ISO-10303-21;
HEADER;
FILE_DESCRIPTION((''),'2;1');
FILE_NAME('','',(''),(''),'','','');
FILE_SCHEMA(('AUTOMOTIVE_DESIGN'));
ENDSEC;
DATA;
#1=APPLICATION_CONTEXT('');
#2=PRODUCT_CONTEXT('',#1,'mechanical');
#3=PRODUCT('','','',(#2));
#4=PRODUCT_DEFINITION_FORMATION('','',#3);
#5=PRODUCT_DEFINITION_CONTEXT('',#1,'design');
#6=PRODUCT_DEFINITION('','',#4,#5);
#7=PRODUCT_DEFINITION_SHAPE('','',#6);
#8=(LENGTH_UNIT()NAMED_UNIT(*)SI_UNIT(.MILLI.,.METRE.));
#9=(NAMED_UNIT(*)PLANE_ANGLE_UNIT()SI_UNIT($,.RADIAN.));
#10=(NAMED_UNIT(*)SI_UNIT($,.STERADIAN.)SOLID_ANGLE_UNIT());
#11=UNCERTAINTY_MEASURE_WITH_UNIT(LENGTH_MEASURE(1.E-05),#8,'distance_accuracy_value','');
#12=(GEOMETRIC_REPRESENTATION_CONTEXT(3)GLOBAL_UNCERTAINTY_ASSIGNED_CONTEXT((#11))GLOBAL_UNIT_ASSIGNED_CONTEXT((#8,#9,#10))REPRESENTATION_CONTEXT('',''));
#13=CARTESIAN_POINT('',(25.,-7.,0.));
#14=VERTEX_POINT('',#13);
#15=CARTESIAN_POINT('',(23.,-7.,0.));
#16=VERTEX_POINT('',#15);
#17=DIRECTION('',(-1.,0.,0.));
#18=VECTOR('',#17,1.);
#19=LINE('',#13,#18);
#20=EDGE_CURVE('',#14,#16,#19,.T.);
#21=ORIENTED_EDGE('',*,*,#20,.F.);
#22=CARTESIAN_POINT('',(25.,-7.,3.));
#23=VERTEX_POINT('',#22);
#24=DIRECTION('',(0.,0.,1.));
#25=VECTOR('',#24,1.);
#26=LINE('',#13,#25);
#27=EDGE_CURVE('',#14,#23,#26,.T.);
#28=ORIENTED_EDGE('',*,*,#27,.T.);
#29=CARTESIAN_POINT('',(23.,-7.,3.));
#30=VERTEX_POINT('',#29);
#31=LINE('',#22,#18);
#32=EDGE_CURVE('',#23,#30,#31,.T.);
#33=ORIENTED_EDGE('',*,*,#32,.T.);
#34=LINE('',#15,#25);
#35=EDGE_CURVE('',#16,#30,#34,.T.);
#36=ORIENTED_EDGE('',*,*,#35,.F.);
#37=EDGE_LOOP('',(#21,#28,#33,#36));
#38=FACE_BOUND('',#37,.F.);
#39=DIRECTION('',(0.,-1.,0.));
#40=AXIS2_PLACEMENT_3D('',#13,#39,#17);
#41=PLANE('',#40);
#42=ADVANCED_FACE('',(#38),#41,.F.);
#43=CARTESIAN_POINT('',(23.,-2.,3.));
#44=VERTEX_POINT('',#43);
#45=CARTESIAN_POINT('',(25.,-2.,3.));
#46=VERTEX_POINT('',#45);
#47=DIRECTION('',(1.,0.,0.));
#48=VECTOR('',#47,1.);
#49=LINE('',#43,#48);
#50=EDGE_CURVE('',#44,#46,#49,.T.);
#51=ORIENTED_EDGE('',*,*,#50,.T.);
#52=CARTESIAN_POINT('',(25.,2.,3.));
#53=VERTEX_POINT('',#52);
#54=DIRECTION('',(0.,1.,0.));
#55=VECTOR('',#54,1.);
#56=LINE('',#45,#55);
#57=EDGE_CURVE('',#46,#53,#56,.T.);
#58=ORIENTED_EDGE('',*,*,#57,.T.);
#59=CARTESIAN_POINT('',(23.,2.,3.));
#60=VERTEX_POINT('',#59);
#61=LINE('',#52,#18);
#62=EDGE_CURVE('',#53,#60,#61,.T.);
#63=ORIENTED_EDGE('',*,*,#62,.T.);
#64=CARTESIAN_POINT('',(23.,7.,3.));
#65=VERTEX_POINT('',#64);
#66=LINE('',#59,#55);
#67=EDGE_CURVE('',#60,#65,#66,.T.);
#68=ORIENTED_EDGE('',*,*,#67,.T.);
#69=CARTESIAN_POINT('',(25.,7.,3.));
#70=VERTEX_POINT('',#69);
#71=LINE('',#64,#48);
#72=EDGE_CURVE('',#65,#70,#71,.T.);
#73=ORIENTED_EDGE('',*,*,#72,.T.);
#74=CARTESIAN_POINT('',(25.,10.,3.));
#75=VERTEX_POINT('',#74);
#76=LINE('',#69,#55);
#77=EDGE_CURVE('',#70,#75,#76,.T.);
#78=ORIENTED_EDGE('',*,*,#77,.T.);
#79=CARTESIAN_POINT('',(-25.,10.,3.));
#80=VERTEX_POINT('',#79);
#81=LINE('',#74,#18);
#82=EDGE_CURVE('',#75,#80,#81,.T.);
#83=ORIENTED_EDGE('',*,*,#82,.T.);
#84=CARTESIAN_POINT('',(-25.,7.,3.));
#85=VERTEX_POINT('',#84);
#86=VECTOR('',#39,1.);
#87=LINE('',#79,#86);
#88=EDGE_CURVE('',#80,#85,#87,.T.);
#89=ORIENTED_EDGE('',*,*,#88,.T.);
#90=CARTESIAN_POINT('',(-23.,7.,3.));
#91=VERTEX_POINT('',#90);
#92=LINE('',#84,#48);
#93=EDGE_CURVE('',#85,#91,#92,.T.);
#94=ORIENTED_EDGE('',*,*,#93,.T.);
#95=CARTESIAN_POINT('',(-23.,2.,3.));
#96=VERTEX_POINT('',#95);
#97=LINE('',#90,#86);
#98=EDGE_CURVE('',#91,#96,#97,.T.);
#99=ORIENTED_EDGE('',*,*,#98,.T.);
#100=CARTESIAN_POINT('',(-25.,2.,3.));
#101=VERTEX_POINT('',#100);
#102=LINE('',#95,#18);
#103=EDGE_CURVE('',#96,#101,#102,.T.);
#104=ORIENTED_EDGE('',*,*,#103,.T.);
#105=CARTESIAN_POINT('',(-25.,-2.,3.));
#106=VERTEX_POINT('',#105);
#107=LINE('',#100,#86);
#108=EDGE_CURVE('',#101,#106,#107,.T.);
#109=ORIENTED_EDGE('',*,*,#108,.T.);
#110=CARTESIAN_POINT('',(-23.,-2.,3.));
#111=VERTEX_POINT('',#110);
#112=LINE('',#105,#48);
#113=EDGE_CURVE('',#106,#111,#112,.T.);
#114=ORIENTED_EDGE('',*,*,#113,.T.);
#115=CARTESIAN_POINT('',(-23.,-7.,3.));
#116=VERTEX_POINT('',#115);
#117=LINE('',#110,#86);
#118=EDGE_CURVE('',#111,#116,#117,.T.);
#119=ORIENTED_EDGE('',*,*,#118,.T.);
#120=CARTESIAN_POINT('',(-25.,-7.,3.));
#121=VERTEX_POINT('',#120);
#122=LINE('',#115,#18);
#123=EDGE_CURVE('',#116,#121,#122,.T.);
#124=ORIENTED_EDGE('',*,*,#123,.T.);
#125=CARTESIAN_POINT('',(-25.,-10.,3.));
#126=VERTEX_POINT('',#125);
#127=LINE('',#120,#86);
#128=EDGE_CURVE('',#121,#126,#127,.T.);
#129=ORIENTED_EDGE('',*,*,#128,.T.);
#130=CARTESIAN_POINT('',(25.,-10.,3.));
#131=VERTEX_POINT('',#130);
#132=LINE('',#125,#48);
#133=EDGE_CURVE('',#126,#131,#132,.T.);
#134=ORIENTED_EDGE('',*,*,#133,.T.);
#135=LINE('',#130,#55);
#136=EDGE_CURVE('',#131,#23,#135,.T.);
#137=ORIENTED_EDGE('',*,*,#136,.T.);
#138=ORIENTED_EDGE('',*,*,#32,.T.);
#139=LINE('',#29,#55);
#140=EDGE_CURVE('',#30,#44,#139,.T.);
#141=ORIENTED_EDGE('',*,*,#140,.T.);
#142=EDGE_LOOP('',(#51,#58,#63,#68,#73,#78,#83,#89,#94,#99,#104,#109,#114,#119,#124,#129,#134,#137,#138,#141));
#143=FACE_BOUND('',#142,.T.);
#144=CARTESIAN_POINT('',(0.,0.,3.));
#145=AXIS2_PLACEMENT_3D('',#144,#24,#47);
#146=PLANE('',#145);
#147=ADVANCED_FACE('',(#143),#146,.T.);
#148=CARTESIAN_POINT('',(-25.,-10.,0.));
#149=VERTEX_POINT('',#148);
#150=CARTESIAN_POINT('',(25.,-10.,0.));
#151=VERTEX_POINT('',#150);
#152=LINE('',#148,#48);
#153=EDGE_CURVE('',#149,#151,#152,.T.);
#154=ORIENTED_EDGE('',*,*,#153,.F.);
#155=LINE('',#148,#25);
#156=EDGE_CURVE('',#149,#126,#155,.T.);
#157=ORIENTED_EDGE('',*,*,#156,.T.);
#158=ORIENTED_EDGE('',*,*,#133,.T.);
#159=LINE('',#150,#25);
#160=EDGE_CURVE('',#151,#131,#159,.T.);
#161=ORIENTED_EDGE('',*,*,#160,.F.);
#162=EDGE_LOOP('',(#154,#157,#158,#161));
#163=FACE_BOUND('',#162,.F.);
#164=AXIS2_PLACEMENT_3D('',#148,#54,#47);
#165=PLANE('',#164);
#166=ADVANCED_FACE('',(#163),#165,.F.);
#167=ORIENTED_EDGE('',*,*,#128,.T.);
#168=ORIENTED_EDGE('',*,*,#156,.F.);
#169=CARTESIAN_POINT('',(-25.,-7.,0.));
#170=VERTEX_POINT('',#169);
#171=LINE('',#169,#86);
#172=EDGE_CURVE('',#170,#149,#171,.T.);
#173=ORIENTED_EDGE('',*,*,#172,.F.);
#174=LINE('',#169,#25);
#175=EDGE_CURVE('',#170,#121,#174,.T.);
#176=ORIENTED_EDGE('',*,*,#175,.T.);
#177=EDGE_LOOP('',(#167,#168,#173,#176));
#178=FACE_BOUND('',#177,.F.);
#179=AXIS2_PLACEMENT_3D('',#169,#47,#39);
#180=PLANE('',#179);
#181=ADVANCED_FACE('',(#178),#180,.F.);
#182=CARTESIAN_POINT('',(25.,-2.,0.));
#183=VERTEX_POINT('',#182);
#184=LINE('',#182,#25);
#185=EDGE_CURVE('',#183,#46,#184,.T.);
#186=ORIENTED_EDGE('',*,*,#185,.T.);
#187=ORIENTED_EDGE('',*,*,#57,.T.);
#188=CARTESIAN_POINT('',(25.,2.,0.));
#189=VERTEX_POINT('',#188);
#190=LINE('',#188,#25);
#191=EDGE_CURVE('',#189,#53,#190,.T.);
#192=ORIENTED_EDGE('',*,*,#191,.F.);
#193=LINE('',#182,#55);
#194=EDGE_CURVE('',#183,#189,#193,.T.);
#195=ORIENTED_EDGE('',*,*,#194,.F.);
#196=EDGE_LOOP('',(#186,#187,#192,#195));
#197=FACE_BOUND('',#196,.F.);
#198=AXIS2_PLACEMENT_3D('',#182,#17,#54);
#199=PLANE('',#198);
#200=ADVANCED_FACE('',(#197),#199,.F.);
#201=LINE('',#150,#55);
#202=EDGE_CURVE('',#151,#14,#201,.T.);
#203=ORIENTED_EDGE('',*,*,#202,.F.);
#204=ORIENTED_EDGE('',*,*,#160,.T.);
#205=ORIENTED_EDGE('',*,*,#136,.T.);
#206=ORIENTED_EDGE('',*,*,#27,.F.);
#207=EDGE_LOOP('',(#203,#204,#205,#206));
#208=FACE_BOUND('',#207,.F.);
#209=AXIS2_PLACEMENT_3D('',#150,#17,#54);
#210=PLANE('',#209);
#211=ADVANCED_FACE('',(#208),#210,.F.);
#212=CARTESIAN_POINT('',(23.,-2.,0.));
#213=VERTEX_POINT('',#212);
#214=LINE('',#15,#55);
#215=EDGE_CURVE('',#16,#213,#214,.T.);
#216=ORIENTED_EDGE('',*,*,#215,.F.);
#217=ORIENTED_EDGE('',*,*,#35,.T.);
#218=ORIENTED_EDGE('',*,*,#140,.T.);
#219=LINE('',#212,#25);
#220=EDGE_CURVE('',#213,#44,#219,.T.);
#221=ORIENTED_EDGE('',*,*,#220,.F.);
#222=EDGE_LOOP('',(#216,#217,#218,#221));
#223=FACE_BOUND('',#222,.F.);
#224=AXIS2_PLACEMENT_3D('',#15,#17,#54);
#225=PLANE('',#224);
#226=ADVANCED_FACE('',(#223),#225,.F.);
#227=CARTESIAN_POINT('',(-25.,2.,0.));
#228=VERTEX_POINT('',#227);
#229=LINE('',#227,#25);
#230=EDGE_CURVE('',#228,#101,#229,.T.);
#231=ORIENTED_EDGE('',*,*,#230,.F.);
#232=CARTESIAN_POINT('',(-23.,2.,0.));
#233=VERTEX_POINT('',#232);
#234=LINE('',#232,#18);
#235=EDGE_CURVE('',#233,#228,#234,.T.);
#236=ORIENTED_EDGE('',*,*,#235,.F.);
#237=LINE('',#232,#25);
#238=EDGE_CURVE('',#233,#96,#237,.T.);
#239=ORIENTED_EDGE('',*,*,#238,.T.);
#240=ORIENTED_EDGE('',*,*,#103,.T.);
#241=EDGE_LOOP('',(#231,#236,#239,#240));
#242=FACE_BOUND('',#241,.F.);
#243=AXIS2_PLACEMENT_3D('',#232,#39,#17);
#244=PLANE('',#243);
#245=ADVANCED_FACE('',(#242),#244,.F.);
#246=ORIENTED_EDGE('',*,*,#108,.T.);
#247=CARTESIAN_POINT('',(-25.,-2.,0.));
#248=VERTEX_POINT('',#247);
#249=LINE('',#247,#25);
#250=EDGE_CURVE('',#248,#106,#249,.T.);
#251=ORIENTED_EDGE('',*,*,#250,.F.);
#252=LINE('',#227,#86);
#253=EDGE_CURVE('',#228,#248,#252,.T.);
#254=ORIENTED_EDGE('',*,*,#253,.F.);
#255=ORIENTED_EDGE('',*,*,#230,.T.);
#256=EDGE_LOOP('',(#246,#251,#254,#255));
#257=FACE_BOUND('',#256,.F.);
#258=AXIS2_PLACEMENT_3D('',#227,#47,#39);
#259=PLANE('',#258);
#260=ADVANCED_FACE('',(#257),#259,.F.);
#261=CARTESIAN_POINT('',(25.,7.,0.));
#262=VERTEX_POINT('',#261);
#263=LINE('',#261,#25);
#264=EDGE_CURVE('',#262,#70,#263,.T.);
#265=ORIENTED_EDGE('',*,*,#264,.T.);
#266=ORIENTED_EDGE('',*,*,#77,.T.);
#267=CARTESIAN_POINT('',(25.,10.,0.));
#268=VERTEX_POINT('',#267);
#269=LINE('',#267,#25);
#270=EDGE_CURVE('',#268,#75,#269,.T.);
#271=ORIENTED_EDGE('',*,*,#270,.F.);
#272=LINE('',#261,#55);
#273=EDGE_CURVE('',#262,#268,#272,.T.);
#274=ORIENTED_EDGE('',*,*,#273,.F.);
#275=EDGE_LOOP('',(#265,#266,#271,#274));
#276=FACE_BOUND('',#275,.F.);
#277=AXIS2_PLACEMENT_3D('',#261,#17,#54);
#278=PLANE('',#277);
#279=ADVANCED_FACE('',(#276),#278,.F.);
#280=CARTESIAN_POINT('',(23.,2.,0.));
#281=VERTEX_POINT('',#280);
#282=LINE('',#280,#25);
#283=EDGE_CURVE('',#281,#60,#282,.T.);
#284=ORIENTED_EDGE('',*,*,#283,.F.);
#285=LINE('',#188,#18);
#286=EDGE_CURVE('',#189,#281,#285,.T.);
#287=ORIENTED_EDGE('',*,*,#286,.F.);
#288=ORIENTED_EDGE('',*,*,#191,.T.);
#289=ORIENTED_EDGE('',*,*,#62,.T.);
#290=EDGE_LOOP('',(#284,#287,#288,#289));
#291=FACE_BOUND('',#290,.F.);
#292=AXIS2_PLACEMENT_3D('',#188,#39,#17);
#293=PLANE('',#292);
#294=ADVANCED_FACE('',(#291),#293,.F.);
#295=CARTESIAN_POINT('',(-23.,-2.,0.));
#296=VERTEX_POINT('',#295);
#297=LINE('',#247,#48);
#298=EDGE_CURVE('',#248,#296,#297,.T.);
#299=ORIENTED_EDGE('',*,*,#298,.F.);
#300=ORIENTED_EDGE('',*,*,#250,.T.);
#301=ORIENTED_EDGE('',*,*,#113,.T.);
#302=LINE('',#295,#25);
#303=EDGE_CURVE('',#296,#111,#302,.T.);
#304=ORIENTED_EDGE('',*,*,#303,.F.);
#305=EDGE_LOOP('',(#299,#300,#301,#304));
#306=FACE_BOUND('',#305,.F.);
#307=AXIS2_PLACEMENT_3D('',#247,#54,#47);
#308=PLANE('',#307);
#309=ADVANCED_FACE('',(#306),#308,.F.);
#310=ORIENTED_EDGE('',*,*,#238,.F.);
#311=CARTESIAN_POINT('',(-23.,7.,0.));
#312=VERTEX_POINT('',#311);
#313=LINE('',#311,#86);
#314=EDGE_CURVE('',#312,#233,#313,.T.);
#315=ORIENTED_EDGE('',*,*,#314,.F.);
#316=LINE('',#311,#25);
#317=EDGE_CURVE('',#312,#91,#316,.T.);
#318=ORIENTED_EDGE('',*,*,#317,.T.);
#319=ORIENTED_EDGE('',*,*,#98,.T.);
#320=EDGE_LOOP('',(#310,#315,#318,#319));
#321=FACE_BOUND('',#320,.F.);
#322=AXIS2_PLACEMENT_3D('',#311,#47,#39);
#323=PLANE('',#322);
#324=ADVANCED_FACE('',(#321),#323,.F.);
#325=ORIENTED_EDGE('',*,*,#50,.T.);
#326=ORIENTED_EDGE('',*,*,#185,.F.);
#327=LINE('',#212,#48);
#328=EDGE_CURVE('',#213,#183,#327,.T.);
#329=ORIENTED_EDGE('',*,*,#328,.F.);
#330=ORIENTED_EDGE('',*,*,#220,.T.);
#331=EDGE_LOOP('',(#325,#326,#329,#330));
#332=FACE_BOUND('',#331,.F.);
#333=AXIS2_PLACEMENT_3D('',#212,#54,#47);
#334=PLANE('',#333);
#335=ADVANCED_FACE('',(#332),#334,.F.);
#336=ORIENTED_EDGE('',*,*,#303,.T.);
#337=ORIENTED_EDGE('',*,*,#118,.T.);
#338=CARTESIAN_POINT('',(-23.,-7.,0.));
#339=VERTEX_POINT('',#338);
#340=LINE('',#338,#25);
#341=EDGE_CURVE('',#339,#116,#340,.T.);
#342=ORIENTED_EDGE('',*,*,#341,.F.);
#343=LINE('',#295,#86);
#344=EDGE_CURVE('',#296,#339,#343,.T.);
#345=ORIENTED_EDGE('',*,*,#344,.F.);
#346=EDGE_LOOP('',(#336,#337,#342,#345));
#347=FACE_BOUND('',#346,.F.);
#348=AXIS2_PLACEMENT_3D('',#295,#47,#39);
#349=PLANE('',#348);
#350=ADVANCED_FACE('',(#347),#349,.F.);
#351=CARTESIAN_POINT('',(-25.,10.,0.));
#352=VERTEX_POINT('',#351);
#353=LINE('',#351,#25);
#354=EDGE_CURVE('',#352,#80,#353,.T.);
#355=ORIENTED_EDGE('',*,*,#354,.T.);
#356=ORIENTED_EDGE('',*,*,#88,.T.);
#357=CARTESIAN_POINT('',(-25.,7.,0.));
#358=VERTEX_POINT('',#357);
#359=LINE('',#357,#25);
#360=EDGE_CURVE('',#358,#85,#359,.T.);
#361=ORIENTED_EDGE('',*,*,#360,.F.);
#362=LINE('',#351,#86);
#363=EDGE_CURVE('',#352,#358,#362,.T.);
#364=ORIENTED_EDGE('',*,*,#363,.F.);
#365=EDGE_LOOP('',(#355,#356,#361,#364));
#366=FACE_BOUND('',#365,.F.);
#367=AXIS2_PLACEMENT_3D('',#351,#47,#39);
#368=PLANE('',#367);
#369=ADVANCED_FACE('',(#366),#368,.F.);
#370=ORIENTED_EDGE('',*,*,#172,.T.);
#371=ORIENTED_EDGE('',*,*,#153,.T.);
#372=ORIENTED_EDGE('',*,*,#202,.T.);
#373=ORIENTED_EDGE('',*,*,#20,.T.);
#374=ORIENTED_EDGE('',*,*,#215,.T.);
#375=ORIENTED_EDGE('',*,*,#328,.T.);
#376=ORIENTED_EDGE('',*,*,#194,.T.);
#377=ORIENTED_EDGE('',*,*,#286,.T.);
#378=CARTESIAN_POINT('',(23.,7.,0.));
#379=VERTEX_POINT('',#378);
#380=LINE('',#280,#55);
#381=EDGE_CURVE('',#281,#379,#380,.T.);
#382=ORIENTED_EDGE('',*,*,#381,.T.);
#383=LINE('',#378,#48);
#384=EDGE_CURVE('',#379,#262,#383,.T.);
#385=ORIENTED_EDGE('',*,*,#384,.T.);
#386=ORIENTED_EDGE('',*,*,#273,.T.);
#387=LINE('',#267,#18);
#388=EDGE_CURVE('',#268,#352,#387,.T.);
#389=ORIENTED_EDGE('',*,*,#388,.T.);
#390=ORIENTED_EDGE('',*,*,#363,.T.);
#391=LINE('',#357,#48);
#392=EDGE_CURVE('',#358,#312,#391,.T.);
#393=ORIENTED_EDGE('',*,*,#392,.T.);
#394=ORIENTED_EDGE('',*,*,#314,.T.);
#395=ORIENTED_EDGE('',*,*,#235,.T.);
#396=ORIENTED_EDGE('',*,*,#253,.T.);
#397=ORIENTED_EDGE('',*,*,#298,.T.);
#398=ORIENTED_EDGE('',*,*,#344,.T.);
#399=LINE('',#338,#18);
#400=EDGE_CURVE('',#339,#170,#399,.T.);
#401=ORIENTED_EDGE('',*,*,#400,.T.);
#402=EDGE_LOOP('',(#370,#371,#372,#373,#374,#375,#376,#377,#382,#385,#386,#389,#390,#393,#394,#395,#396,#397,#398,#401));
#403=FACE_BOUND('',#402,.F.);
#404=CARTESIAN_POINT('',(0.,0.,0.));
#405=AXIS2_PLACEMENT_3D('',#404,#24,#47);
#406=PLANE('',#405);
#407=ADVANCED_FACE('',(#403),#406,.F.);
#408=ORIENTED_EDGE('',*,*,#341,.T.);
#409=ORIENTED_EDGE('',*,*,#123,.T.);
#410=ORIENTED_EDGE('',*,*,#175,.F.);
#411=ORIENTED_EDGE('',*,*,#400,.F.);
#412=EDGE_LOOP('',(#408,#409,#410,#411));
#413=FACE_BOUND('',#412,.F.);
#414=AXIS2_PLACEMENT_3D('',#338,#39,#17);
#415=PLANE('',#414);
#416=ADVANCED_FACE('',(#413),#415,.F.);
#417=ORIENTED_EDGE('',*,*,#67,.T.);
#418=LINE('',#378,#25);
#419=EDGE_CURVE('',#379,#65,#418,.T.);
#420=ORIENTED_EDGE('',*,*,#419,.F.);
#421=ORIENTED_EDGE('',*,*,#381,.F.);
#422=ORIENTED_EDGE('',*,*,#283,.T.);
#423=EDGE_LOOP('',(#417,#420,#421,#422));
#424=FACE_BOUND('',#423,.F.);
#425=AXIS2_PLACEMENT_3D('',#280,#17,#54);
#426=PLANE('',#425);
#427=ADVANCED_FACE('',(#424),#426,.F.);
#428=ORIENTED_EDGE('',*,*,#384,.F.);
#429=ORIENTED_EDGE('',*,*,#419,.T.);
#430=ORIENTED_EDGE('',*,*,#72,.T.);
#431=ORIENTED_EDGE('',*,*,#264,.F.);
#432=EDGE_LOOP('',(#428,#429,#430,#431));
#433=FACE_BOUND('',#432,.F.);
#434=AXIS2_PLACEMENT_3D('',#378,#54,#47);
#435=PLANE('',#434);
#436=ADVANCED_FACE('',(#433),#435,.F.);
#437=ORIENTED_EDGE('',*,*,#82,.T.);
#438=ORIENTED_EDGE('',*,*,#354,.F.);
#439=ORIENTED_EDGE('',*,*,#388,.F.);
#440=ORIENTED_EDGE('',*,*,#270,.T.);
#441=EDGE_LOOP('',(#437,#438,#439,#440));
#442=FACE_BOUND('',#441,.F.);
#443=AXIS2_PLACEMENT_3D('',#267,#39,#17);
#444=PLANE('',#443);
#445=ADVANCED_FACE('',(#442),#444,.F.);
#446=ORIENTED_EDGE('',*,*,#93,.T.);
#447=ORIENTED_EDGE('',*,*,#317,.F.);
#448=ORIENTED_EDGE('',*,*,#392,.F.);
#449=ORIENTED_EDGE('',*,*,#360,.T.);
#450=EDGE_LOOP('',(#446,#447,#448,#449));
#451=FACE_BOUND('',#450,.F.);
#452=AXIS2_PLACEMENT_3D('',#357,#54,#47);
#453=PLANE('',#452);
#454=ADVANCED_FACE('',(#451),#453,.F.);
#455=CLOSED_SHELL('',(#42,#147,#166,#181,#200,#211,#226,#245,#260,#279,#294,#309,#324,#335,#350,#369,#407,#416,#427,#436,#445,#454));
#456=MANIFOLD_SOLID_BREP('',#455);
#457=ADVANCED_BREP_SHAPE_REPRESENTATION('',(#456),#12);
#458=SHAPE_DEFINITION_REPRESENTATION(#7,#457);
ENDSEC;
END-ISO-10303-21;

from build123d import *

# Parameters (mm, degrees)
F1_DEPTH = 3


with BuildPart() as f1:
    # F0 (on Top) → F1 (new body)
    with BuildSketch(Plane.XY):
        Polygon((25, 10), (-25, 10), (-25, 7), (-23, 7), (-23, 2), (-25, 2), (-25, 0), (-25, -2), (-23, -2), (-23, -7), (-25, -7), (-25, -10), (25, -10), (25, -7), (23, -7), (23, -2), (25, -2), (25, 0), (25, 2), (23, 2), (23, 7), (25, 7), align=None)
    extrude(amount=F1_DEPTH)


solid = f1.part
